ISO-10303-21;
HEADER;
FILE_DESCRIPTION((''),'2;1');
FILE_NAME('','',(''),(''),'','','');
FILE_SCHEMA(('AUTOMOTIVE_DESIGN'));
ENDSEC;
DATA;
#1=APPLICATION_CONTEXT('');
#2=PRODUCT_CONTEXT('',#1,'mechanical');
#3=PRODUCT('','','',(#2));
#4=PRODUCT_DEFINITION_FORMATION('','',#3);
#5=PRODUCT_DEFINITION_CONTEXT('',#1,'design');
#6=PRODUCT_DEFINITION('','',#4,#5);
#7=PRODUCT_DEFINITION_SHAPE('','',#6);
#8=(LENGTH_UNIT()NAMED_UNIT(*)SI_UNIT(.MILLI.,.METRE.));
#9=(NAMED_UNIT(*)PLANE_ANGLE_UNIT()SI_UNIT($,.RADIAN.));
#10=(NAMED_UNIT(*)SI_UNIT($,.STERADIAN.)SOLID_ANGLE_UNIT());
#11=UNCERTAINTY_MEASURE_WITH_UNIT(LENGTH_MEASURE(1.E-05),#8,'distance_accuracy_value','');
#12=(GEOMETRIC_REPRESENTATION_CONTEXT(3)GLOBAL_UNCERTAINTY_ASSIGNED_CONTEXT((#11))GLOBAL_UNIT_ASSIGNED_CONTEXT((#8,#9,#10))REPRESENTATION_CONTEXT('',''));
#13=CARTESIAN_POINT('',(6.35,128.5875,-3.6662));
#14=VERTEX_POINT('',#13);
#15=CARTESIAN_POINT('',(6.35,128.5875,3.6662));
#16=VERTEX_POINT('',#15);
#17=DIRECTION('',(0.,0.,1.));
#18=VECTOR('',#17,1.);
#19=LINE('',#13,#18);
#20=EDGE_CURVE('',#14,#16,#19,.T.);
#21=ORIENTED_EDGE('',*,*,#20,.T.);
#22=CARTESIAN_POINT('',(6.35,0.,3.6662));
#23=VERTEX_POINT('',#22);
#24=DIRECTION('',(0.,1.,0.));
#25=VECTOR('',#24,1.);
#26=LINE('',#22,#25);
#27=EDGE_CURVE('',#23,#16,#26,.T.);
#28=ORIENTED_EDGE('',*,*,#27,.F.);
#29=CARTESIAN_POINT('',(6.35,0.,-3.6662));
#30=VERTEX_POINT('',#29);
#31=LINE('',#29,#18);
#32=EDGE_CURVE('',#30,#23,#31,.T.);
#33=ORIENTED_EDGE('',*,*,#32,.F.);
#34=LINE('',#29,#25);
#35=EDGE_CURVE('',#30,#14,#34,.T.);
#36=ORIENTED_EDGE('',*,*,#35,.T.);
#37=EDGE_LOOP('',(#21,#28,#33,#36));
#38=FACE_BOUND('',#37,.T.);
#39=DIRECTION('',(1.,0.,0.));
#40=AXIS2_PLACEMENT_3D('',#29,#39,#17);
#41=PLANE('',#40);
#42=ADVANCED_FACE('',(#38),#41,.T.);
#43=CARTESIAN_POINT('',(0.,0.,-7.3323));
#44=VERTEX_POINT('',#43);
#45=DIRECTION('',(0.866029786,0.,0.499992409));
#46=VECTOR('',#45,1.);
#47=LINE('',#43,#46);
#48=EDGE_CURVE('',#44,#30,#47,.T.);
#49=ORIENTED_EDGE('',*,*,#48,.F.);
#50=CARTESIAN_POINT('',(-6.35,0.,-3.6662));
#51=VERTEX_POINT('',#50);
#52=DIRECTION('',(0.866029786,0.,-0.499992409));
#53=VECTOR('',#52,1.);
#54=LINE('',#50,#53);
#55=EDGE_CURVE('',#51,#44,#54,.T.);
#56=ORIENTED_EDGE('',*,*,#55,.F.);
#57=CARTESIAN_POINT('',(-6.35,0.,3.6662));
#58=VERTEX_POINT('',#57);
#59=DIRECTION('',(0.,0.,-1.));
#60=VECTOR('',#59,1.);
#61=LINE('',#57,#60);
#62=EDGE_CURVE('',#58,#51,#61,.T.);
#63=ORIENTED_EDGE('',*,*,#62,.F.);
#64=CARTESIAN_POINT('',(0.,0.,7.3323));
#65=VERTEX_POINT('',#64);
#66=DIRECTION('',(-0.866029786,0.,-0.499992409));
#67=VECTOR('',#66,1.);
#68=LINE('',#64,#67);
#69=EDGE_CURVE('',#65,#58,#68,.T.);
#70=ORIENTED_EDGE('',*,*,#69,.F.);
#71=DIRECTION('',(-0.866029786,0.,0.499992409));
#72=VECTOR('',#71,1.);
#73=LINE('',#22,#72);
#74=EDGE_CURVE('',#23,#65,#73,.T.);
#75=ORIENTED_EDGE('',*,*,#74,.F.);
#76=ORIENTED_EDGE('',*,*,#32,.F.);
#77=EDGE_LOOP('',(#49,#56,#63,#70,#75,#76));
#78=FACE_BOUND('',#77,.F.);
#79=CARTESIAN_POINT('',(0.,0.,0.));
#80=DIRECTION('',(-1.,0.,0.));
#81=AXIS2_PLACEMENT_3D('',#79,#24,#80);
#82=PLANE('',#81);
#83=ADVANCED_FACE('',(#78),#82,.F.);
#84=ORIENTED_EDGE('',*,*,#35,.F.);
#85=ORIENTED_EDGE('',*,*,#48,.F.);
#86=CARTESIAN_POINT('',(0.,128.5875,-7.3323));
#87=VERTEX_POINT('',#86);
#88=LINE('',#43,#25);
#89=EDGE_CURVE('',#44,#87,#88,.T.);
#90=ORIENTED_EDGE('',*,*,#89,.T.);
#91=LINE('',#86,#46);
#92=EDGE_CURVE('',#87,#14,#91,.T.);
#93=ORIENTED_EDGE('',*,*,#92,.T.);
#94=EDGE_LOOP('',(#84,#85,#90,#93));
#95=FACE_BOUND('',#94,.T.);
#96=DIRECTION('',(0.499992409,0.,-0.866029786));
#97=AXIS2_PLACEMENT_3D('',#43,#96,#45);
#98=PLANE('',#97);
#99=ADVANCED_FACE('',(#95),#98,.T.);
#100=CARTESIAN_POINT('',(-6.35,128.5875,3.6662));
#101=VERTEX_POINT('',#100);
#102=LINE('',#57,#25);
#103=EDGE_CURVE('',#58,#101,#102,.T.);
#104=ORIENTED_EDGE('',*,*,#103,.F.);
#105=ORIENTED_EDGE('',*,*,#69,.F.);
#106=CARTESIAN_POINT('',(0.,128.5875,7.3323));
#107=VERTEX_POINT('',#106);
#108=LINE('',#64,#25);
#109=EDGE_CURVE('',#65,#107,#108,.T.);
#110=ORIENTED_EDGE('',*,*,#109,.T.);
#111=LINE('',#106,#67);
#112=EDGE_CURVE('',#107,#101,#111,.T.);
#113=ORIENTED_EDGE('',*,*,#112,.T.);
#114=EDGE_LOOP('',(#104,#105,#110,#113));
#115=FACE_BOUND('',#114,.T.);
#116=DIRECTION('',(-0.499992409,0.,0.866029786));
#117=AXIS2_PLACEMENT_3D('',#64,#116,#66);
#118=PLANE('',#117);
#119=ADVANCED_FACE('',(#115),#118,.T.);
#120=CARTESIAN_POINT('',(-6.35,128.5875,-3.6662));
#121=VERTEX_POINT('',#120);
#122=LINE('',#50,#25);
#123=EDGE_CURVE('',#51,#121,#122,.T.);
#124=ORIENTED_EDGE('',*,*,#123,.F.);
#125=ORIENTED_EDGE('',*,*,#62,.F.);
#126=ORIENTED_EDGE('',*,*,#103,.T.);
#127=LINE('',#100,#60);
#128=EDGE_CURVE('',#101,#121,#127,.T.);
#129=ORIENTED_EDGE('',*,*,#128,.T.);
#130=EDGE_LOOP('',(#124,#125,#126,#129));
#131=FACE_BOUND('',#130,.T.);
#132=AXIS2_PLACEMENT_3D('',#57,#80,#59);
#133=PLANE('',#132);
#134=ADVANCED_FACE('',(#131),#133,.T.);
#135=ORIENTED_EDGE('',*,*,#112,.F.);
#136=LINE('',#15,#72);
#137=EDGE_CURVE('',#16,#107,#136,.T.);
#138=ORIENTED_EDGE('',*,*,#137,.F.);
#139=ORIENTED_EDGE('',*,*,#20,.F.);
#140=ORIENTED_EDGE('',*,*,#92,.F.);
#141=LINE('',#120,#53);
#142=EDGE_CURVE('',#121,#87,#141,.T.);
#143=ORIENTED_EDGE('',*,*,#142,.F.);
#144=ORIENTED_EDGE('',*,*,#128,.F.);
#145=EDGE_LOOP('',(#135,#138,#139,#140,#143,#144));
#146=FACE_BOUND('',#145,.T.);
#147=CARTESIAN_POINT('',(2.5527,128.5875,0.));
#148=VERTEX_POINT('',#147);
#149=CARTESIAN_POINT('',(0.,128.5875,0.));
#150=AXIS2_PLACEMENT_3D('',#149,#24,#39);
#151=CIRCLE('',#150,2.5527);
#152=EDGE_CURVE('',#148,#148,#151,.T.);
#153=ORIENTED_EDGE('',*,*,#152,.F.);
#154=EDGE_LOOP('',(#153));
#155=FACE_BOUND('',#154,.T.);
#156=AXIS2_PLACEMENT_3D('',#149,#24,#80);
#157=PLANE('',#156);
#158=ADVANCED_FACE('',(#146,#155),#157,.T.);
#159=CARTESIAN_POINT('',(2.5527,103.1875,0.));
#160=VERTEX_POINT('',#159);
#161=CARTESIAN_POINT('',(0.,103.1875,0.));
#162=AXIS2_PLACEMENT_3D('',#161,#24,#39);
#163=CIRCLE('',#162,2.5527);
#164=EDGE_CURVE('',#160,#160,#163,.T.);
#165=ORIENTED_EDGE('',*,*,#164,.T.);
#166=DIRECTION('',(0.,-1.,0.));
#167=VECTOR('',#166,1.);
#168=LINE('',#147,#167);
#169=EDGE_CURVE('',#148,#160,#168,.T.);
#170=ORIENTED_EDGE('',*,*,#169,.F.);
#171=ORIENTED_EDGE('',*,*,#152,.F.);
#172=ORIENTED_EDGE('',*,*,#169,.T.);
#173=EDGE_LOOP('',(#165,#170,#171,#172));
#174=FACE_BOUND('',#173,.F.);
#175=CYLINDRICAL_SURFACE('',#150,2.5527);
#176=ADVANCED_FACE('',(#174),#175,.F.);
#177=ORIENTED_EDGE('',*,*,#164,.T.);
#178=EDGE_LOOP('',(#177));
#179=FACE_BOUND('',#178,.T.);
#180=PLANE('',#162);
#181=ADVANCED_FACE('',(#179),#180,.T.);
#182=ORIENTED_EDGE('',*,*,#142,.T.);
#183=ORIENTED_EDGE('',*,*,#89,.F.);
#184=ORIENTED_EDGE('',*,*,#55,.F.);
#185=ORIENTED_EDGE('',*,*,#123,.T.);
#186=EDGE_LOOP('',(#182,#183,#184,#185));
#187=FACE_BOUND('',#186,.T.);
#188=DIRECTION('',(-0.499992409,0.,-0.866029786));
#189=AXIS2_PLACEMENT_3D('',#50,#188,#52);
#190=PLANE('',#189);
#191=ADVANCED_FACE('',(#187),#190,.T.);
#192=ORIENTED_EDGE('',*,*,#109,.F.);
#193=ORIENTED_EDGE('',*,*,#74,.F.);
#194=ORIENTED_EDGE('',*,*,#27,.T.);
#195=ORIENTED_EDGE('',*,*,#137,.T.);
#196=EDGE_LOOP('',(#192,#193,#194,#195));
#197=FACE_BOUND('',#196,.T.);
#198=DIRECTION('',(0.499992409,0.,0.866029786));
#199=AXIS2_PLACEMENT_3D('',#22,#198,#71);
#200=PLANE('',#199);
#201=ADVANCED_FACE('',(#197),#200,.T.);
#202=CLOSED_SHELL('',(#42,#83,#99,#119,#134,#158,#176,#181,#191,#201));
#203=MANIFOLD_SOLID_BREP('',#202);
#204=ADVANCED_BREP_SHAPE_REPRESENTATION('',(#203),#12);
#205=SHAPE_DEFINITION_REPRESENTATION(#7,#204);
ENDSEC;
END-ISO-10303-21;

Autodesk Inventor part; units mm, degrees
ref_plane "YZ Plane" through (0, 0, 0) normal (1, 0, 0) x (0, 1, 0)
ref_plane "XZ Plane" through (0, 0, 0) normal (0, 1, 0) x (-1, 0, 0)
ref_plane "XY Plane" through (0, 0, 0) normal (0, 0, 1) x (1, 0, 0)
sketch "Sketch1" plane through (0, 0, 0) normal (0, 1, 0) x (-1, 0, 0)
  line L0 (-6.35, -3.6662) -> (-6.35, 3.6662)
  line L1 (-6.35, 3.6662) -> (0, 7.3323)
  line L2 (0, 7.3323) -> (6.35, 3.6662)
  line L3 (6.35, 3.6662) -> (6.35, -3.6662)
  line L4 (6.35, -3.6662) -> (0, -7.3323)
  line L5 (0, -7.3323) -> (-6.35, -3.6662)
  point P0 (0, 0)
  point P1 (0, 0)
  dimension "d0" = 12.7
extrude "Extrusion1" add sketch "Sketch1" along normal blind 128.5875
sketch "Sketch2" plane through (0, 128.5875, 0) normal (0, 1, 0) x (1, 0, 0)
  circle A0 centre (0, 0) radius 2.5527
  dimension "d3" = 5.1054
extrude "Extrusion2" cut sketch "Sketch2" against normal blind 25.4
properties part number "INDX_010_5inHex" material "Aluminum 6061"
